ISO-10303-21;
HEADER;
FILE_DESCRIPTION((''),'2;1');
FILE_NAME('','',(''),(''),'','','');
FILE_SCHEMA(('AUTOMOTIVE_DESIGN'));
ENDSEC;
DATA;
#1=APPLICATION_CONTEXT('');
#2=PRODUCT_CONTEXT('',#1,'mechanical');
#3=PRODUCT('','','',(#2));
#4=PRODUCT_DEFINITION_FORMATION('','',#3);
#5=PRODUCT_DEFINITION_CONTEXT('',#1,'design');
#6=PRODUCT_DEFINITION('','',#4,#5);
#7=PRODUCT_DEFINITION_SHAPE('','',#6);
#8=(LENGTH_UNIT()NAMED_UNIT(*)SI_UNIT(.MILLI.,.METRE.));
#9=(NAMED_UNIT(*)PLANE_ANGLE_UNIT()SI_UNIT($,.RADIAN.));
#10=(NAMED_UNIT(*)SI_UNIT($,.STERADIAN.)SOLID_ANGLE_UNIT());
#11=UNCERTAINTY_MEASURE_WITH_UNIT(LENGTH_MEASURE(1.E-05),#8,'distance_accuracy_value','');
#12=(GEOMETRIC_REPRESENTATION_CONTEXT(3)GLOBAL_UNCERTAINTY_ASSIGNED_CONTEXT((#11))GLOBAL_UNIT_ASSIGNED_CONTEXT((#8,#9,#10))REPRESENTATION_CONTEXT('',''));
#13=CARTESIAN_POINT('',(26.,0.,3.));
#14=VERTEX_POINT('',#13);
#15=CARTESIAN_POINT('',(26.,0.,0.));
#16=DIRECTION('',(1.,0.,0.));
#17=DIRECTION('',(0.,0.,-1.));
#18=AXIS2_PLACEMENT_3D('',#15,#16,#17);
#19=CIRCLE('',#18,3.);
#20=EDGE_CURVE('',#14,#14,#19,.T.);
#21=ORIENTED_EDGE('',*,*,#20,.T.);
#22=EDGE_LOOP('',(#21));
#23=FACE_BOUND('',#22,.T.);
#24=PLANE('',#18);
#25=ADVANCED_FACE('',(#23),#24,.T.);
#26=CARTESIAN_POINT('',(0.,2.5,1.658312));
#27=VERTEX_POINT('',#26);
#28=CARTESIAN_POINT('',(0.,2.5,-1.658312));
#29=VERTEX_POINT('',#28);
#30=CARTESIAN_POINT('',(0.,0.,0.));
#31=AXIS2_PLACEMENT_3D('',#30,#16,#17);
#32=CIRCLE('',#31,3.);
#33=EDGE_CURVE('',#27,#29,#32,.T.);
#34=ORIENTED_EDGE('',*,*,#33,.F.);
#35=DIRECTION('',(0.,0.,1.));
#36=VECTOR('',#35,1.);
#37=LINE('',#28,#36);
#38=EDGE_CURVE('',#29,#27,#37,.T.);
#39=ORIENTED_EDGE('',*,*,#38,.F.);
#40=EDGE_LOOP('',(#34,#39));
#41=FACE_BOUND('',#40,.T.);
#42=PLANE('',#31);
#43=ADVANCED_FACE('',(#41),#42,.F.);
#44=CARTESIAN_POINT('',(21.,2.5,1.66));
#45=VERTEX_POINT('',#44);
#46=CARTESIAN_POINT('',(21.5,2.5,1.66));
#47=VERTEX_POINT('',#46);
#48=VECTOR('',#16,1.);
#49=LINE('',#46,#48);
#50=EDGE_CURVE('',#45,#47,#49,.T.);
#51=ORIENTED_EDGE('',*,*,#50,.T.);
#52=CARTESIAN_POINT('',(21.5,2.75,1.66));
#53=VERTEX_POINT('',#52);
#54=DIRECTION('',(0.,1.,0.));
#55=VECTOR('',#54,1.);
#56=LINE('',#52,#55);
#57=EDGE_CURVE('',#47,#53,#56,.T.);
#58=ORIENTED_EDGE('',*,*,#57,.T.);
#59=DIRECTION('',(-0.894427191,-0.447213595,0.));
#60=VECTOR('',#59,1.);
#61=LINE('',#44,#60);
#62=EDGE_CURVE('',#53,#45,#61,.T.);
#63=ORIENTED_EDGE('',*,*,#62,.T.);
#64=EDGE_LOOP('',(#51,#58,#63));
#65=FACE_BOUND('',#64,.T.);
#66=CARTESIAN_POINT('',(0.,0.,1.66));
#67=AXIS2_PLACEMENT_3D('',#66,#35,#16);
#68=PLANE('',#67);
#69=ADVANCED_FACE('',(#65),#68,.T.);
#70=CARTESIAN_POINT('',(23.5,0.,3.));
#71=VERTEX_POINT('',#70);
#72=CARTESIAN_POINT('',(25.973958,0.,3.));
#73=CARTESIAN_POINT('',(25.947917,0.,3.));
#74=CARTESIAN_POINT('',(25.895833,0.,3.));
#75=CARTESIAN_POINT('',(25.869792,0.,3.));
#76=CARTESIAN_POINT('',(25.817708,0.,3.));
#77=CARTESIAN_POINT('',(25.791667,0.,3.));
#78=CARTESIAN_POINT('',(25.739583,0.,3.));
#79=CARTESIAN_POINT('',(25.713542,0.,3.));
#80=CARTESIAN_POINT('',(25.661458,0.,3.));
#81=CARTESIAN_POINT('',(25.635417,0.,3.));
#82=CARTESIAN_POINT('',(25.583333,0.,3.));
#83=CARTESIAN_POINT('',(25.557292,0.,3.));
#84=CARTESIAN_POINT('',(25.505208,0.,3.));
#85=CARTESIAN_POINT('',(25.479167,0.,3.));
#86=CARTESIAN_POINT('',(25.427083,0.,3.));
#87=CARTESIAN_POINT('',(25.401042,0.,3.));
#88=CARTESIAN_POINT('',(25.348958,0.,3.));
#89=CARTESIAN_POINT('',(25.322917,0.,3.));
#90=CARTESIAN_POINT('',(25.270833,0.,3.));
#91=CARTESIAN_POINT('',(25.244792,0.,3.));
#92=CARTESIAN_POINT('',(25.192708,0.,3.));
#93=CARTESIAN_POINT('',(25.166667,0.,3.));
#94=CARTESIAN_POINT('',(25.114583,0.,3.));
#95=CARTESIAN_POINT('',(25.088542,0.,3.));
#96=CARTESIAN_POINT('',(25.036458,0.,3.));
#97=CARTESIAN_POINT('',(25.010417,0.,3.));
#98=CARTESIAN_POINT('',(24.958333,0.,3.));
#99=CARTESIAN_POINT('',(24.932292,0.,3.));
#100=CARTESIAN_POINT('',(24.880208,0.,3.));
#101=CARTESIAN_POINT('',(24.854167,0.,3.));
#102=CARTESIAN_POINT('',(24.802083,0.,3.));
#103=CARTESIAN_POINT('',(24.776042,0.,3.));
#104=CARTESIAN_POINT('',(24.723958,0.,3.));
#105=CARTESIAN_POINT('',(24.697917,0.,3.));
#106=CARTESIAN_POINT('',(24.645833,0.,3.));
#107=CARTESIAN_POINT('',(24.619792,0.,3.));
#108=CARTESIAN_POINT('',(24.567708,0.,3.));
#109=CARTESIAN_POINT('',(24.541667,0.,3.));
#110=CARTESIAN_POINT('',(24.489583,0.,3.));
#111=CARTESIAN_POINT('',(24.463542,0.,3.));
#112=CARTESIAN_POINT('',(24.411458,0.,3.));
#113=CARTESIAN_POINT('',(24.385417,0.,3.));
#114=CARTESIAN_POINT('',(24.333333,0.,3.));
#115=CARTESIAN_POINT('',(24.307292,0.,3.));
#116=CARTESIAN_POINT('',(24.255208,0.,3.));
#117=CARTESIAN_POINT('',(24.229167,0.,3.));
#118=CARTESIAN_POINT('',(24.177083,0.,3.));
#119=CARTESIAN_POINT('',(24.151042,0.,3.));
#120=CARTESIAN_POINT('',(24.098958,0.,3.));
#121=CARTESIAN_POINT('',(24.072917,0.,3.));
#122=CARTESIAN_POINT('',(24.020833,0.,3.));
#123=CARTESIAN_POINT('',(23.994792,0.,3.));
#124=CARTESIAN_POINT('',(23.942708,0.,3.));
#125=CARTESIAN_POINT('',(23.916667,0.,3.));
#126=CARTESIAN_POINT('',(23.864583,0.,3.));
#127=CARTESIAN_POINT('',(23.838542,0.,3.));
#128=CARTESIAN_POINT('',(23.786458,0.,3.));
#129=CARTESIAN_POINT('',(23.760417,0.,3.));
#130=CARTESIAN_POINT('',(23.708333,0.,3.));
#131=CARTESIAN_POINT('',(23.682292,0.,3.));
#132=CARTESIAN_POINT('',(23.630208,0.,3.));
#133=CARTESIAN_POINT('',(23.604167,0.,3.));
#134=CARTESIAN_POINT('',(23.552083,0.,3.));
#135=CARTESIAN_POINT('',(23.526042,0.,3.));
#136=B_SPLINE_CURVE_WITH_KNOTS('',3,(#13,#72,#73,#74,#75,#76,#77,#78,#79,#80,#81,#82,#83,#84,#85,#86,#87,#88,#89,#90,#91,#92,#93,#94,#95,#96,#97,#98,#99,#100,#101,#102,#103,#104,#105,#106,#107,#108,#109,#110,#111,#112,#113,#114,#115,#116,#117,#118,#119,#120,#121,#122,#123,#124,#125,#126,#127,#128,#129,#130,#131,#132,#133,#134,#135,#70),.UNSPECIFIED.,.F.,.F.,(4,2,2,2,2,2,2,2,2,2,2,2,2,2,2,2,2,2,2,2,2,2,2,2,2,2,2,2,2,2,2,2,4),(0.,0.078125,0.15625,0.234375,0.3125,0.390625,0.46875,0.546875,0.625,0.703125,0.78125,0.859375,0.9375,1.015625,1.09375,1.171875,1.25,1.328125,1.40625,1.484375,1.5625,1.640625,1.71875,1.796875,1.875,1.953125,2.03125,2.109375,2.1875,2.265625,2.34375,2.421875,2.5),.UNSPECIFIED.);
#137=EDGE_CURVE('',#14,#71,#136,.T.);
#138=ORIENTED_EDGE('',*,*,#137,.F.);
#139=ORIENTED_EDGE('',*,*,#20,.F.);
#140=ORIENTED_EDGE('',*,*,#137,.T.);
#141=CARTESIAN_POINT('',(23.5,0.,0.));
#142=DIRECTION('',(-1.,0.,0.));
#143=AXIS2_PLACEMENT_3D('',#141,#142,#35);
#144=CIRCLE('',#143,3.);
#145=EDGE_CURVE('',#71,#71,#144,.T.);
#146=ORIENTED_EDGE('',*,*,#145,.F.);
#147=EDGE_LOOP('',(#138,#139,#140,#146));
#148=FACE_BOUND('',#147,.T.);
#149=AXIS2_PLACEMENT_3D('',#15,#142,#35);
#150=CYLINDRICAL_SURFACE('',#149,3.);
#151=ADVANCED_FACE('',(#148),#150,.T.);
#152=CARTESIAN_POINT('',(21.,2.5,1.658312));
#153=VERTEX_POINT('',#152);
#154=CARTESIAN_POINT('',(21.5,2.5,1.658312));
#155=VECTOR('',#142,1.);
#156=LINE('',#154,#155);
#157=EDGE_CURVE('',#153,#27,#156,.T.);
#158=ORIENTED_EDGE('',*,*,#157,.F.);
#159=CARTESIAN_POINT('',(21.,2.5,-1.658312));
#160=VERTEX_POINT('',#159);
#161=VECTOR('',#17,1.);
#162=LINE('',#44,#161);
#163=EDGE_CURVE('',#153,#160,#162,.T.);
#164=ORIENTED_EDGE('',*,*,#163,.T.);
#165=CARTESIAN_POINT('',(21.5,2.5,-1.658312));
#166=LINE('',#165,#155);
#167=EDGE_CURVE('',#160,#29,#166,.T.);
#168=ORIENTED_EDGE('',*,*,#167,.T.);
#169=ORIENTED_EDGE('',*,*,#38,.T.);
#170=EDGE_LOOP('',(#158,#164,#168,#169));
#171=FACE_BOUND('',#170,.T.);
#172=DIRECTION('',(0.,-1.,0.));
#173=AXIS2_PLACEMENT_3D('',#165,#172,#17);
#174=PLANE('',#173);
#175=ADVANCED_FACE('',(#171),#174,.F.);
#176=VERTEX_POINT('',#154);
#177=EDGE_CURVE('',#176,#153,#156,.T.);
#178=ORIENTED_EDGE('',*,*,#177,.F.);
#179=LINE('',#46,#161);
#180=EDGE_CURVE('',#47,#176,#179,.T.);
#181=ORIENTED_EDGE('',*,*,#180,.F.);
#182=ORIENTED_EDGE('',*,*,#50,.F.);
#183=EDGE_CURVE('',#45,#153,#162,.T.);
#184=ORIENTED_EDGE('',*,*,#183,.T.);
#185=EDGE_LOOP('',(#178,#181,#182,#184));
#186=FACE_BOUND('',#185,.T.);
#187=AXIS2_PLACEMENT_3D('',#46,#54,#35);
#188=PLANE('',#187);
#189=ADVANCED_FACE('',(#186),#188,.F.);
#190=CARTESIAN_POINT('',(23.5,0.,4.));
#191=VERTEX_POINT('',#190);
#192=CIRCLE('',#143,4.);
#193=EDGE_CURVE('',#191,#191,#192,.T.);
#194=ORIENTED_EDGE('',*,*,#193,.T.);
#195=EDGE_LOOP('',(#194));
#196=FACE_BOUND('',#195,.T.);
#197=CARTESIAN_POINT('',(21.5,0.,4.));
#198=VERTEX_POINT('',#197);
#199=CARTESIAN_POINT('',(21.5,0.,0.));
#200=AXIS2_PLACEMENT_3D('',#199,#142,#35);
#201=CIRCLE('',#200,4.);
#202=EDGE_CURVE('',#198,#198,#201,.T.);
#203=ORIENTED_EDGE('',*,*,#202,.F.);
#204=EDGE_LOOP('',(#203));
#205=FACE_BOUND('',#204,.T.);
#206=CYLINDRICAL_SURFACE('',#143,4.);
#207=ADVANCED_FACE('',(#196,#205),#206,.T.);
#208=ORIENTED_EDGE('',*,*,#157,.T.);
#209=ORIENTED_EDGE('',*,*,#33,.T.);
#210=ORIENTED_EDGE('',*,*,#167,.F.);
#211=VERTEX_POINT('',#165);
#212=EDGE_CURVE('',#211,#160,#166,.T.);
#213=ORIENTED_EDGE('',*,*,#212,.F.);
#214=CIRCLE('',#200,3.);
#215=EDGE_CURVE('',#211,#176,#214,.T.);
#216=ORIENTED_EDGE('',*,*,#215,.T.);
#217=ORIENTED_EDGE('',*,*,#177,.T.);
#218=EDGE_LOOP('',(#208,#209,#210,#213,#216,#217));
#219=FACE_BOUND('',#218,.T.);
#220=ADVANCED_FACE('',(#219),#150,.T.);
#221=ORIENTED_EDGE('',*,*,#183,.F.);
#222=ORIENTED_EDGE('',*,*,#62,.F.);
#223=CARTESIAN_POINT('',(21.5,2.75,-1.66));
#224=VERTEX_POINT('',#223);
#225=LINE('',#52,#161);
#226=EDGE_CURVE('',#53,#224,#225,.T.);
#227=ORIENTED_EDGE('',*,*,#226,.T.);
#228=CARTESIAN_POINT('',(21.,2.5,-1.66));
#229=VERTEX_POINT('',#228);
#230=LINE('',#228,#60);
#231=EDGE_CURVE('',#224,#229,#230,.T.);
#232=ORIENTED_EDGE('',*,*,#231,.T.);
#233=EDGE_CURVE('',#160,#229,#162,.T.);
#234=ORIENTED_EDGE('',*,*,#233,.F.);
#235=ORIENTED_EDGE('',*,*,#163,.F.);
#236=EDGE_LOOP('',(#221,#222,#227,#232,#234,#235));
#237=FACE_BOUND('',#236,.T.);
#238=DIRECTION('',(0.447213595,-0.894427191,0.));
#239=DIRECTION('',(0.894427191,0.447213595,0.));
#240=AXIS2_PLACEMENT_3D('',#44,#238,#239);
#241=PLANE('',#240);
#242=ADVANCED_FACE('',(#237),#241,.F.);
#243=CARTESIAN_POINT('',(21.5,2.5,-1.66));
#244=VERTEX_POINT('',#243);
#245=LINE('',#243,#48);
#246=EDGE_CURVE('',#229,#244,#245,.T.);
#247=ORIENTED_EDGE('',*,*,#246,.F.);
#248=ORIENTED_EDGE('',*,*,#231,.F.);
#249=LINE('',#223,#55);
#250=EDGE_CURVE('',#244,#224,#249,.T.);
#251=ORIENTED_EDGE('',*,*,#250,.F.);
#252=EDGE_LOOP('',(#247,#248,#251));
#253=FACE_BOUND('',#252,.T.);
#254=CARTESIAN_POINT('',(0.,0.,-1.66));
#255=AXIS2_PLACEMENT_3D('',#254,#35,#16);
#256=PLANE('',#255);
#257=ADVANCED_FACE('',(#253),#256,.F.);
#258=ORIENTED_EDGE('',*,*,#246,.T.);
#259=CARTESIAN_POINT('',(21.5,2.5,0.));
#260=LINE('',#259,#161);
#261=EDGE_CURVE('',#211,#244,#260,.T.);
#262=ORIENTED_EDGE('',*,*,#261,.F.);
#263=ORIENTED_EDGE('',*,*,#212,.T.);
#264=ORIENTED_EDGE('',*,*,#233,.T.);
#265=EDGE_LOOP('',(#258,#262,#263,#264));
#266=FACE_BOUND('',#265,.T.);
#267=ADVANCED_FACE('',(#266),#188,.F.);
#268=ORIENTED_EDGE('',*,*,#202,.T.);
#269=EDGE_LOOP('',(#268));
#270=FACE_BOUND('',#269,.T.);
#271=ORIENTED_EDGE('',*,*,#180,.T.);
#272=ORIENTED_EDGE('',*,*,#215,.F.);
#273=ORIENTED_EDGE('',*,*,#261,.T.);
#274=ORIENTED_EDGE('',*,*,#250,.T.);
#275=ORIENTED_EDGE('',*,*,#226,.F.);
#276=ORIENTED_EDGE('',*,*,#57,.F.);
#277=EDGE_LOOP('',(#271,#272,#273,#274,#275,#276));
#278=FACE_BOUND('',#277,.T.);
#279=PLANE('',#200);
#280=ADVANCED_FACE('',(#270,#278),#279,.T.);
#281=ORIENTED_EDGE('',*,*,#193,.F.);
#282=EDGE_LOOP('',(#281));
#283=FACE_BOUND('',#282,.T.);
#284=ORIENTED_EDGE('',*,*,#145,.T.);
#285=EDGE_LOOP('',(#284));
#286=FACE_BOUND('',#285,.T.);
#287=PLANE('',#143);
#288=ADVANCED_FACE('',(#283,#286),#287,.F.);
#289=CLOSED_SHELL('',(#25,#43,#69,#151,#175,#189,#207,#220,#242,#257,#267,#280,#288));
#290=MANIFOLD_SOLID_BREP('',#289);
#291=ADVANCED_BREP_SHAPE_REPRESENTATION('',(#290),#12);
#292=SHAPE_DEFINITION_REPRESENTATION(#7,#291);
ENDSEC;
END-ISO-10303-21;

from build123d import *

# Parameters (mm, degrees)
SKETCH1_R           = 3
BOSS_EXTRUDE1_DEPTH = 26
CUT_EXTRUDE1_DEPTH  = 21.5
SKETCH3_R           = 4
SKETCH3_R_2         = 3
BOSS_EXTRUDE2_DEPTH = 2
BOSS_EXTRUDE3_DEPTH = 1.66


with BuildPart() as part:
    # Sketch1 → Boss-Extrude1 (new body)
    with BuildSketch(Plane(origin=(0, 0, 0), x_dir=(0, 0, -1), z_dir=(1, 0, 0))):
        with Locations(Location((0, 0, 0), (0, 0, 180))):
            Circle(SKETCH1_R)
    extrude(amount=BOSS_EXTRUDE1_DEPTH)

    # Sketch2 → Cut-Extrude1 (cut)
    with BuildSketch(Plane.ZY):
        with BuildLine():
            Line((-1.658312395, 2.5), (1.658312395, 2.5))
            ThreePointArc((1.658312395, 2.5), (0, 3), (-1.658312395, 2.5))
        make_face()
    extrude(amount=-CUT_EXTRUDE1_DEPTH, mode=Mode.SUBTRACT)

    # Sketch3 → Boss-Extrude2 (add)
    with BuildSketch(Plane.ZY.offset(-21.5)):
        Circle(SKETCH3_R)
        Circle(SKETCH3_R_2, mode=Mode.SUBTRACT)
    extrude(amount=-BOSS_EXTRUDE2_DEPTH)

    # Sketch4 → Boss-Extrude3 (add, symmetric)
    with BuildSketch(Plane.XY):
        Polygon((21, 2.5), (21.5, 2.75), (21.5, 2.5), align=None)
    extrude(amount=BOSS_EXTRUDE3_DEPTH, both=True)


solid = part.part
